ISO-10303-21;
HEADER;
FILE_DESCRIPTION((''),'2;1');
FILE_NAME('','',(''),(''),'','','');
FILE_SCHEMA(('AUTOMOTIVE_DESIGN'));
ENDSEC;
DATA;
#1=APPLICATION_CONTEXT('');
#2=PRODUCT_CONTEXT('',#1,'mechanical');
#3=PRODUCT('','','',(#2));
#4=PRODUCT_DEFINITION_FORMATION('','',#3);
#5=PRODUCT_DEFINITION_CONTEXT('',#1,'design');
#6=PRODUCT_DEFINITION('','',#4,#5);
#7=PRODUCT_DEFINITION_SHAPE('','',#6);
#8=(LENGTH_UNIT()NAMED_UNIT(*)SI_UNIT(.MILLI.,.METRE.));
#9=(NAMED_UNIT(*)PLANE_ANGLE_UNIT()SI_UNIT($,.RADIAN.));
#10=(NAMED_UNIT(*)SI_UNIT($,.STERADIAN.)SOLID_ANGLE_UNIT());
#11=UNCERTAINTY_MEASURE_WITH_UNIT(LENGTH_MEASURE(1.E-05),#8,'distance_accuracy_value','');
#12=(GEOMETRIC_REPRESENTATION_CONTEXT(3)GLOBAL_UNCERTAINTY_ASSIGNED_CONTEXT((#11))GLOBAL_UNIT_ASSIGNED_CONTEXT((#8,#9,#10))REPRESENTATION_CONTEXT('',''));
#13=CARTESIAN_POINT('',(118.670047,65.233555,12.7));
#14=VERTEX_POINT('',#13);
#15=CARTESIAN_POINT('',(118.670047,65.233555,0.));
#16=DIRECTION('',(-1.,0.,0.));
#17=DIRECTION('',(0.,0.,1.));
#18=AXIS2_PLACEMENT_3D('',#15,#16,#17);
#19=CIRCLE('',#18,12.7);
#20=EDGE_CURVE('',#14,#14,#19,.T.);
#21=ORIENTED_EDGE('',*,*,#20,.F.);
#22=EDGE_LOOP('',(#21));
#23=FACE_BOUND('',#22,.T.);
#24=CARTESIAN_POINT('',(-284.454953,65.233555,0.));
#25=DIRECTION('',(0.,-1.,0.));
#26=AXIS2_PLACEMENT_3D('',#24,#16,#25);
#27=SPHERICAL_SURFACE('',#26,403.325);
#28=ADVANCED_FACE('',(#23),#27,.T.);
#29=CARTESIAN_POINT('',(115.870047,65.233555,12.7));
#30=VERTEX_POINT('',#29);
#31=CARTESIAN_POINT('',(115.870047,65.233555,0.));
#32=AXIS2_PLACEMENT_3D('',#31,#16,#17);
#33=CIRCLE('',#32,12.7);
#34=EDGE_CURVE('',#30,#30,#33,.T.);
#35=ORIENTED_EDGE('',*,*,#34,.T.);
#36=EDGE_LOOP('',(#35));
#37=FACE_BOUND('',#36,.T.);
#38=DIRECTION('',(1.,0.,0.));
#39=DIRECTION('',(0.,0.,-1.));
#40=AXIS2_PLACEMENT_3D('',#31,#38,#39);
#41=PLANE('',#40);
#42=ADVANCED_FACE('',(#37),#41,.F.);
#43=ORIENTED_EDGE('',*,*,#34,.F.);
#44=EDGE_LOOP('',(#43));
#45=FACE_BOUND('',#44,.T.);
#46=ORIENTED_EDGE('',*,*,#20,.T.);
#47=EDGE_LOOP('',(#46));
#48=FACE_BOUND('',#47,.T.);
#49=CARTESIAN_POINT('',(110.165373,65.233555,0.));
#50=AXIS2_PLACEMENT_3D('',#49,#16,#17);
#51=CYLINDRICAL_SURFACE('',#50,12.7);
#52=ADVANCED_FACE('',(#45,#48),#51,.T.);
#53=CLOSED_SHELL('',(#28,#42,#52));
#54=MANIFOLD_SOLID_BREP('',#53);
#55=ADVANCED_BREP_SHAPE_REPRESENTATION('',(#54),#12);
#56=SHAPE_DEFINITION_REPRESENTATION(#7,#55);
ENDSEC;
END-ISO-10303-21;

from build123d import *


with BuildPart() as part:
    # 草图1 → 旋转1 (revolve)
    with BuildSketch(Plane.XY, mode=Mode.PRIVATE) as revolve_1_sk:
        with BuildLine():
            Line((115.870046776, 65.233554926), (115.870046776, 77.933554926))
            Line((115.870046776, 77.933554926), (118.670046776, 77.933554926))
            ThreePointArc((118.670046776, 77.933554926), (118.820043676, 71.584342279), (118.870046776, 65.233554926))
            Line((118.870046776, 65.233554926), (115.870046776, 65.233554926))
        make_face()
    revolve(revolve_1_sk.sketch.rotate(Axis((110.165373228, 65.233554926, 0), (1, 0, 0)), 180), axis=Axis((110.165373228, 65.233554926, 0), (1, 0, 0)))  # turned: the seam where the file's is


solid = part.part
